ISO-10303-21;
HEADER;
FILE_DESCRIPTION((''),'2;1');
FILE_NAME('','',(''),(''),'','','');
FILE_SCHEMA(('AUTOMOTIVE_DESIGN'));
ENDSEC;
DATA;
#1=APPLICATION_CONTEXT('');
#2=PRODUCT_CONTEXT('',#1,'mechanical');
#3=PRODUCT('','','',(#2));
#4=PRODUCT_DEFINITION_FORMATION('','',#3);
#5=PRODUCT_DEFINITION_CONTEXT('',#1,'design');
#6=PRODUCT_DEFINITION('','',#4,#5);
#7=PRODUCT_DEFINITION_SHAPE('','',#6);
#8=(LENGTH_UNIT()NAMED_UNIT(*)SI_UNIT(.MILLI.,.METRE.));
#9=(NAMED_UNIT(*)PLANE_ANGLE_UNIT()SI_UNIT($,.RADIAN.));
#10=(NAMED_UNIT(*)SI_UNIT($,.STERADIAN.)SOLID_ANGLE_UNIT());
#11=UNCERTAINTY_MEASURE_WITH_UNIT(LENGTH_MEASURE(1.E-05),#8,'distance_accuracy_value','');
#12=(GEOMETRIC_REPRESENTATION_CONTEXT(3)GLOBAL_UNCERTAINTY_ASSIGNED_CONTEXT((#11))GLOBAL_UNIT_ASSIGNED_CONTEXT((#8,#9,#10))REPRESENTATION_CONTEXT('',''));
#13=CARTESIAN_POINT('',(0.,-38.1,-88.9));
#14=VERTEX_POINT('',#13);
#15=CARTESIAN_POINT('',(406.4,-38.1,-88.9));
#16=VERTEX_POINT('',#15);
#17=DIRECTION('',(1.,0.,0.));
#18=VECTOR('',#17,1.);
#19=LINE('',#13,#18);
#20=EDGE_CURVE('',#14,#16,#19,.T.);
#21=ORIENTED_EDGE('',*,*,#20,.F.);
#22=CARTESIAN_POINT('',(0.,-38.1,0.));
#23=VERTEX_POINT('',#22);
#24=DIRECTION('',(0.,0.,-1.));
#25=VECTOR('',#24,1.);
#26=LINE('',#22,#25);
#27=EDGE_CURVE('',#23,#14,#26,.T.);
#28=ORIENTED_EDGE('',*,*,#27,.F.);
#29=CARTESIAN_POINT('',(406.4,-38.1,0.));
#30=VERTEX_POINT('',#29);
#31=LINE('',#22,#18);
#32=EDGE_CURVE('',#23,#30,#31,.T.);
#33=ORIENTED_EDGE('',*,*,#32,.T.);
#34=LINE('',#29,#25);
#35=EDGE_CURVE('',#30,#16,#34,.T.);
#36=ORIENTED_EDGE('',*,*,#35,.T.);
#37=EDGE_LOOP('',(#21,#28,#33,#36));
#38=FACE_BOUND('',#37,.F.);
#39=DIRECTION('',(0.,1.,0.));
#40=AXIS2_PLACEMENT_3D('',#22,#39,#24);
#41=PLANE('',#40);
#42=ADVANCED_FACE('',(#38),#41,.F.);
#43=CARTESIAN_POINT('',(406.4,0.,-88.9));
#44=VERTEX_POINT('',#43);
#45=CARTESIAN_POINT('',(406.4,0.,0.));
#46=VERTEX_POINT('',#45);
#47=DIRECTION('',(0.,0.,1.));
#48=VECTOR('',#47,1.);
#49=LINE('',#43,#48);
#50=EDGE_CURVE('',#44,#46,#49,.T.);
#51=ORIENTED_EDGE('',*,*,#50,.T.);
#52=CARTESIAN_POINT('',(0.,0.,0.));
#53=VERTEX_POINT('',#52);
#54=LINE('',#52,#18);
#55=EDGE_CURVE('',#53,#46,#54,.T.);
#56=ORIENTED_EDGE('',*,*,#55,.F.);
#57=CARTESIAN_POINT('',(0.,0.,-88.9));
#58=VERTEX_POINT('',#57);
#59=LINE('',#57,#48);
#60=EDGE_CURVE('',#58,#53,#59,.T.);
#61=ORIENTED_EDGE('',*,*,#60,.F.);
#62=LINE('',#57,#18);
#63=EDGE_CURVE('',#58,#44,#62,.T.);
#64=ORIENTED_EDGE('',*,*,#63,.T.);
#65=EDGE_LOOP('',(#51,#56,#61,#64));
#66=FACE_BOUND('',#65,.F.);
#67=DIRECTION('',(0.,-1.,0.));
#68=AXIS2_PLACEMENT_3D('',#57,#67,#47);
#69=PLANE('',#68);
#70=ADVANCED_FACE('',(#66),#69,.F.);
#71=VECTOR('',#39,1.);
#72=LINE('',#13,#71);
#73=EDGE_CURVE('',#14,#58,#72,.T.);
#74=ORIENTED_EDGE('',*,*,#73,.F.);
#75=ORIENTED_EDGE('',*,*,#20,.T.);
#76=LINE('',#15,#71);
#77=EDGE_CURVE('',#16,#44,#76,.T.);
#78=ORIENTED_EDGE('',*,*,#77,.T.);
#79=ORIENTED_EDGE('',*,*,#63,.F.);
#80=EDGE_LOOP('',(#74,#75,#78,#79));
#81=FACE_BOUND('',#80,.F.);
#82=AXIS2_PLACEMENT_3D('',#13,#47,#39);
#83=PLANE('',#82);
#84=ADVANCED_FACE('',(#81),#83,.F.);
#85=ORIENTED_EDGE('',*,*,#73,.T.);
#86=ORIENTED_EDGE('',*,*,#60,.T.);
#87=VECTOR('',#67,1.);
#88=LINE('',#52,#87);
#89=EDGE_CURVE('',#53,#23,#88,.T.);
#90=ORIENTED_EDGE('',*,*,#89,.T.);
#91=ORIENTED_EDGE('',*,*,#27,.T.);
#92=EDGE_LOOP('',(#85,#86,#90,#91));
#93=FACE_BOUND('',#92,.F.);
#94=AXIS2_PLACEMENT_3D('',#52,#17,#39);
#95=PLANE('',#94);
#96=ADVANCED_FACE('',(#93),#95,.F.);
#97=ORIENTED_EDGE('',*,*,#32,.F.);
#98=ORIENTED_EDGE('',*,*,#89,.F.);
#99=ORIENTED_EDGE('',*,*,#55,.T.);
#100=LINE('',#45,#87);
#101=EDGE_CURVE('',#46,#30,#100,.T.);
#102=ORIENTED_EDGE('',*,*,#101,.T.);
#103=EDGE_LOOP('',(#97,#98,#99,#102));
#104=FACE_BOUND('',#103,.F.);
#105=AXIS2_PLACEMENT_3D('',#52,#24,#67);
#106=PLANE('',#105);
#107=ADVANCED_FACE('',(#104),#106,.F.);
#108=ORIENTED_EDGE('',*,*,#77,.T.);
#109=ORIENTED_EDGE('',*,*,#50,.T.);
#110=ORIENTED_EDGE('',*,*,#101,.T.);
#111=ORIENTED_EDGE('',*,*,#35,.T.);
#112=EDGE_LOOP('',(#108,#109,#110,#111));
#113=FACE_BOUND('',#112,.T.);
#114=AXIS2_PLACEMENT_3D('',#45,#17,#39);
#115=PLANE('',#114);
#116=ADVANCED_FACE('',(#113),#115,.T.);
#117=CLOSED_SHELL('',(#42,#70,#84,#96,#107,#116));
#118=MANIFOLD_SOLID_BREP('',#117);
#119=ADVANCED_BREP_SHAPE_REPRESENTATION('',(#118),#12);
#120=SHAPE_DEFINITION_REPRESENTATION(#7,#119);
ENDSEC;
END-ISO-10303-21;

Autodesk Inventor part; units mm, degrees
ref_plane "YZ Plane" through (0, 0, 0) normal (1, 0, 0) x (0, 1, 0)
ref_plane "XZ Plane" through (0, 0, 0) normal (0, 1, 0) x (-1, 0, 0)
ref_plane "XY Plane" through (0, 0, 0) normal (0, 0, 1) x (1, 0, 0)
sketch "Sketch1" plane through (0, 0, 0) normal (1, 0, 0) x (0, 1, 0)
  line L0 (0, 0) -> (-38.1, 0)
  line L1 (-38.1, 0) -> (-38.1, -88.9)
  line L2 (-38.1, -88.9) -> (0, -88.9)
  line L3 (0, -88.9) -> (0, 0)
  dimension "d0" = 38.1
  dimension "d1" = 88.9
extrude "Extrusion1" add sketch "Sketch1" along normal blind 406.4
properties part number "Spacer"
